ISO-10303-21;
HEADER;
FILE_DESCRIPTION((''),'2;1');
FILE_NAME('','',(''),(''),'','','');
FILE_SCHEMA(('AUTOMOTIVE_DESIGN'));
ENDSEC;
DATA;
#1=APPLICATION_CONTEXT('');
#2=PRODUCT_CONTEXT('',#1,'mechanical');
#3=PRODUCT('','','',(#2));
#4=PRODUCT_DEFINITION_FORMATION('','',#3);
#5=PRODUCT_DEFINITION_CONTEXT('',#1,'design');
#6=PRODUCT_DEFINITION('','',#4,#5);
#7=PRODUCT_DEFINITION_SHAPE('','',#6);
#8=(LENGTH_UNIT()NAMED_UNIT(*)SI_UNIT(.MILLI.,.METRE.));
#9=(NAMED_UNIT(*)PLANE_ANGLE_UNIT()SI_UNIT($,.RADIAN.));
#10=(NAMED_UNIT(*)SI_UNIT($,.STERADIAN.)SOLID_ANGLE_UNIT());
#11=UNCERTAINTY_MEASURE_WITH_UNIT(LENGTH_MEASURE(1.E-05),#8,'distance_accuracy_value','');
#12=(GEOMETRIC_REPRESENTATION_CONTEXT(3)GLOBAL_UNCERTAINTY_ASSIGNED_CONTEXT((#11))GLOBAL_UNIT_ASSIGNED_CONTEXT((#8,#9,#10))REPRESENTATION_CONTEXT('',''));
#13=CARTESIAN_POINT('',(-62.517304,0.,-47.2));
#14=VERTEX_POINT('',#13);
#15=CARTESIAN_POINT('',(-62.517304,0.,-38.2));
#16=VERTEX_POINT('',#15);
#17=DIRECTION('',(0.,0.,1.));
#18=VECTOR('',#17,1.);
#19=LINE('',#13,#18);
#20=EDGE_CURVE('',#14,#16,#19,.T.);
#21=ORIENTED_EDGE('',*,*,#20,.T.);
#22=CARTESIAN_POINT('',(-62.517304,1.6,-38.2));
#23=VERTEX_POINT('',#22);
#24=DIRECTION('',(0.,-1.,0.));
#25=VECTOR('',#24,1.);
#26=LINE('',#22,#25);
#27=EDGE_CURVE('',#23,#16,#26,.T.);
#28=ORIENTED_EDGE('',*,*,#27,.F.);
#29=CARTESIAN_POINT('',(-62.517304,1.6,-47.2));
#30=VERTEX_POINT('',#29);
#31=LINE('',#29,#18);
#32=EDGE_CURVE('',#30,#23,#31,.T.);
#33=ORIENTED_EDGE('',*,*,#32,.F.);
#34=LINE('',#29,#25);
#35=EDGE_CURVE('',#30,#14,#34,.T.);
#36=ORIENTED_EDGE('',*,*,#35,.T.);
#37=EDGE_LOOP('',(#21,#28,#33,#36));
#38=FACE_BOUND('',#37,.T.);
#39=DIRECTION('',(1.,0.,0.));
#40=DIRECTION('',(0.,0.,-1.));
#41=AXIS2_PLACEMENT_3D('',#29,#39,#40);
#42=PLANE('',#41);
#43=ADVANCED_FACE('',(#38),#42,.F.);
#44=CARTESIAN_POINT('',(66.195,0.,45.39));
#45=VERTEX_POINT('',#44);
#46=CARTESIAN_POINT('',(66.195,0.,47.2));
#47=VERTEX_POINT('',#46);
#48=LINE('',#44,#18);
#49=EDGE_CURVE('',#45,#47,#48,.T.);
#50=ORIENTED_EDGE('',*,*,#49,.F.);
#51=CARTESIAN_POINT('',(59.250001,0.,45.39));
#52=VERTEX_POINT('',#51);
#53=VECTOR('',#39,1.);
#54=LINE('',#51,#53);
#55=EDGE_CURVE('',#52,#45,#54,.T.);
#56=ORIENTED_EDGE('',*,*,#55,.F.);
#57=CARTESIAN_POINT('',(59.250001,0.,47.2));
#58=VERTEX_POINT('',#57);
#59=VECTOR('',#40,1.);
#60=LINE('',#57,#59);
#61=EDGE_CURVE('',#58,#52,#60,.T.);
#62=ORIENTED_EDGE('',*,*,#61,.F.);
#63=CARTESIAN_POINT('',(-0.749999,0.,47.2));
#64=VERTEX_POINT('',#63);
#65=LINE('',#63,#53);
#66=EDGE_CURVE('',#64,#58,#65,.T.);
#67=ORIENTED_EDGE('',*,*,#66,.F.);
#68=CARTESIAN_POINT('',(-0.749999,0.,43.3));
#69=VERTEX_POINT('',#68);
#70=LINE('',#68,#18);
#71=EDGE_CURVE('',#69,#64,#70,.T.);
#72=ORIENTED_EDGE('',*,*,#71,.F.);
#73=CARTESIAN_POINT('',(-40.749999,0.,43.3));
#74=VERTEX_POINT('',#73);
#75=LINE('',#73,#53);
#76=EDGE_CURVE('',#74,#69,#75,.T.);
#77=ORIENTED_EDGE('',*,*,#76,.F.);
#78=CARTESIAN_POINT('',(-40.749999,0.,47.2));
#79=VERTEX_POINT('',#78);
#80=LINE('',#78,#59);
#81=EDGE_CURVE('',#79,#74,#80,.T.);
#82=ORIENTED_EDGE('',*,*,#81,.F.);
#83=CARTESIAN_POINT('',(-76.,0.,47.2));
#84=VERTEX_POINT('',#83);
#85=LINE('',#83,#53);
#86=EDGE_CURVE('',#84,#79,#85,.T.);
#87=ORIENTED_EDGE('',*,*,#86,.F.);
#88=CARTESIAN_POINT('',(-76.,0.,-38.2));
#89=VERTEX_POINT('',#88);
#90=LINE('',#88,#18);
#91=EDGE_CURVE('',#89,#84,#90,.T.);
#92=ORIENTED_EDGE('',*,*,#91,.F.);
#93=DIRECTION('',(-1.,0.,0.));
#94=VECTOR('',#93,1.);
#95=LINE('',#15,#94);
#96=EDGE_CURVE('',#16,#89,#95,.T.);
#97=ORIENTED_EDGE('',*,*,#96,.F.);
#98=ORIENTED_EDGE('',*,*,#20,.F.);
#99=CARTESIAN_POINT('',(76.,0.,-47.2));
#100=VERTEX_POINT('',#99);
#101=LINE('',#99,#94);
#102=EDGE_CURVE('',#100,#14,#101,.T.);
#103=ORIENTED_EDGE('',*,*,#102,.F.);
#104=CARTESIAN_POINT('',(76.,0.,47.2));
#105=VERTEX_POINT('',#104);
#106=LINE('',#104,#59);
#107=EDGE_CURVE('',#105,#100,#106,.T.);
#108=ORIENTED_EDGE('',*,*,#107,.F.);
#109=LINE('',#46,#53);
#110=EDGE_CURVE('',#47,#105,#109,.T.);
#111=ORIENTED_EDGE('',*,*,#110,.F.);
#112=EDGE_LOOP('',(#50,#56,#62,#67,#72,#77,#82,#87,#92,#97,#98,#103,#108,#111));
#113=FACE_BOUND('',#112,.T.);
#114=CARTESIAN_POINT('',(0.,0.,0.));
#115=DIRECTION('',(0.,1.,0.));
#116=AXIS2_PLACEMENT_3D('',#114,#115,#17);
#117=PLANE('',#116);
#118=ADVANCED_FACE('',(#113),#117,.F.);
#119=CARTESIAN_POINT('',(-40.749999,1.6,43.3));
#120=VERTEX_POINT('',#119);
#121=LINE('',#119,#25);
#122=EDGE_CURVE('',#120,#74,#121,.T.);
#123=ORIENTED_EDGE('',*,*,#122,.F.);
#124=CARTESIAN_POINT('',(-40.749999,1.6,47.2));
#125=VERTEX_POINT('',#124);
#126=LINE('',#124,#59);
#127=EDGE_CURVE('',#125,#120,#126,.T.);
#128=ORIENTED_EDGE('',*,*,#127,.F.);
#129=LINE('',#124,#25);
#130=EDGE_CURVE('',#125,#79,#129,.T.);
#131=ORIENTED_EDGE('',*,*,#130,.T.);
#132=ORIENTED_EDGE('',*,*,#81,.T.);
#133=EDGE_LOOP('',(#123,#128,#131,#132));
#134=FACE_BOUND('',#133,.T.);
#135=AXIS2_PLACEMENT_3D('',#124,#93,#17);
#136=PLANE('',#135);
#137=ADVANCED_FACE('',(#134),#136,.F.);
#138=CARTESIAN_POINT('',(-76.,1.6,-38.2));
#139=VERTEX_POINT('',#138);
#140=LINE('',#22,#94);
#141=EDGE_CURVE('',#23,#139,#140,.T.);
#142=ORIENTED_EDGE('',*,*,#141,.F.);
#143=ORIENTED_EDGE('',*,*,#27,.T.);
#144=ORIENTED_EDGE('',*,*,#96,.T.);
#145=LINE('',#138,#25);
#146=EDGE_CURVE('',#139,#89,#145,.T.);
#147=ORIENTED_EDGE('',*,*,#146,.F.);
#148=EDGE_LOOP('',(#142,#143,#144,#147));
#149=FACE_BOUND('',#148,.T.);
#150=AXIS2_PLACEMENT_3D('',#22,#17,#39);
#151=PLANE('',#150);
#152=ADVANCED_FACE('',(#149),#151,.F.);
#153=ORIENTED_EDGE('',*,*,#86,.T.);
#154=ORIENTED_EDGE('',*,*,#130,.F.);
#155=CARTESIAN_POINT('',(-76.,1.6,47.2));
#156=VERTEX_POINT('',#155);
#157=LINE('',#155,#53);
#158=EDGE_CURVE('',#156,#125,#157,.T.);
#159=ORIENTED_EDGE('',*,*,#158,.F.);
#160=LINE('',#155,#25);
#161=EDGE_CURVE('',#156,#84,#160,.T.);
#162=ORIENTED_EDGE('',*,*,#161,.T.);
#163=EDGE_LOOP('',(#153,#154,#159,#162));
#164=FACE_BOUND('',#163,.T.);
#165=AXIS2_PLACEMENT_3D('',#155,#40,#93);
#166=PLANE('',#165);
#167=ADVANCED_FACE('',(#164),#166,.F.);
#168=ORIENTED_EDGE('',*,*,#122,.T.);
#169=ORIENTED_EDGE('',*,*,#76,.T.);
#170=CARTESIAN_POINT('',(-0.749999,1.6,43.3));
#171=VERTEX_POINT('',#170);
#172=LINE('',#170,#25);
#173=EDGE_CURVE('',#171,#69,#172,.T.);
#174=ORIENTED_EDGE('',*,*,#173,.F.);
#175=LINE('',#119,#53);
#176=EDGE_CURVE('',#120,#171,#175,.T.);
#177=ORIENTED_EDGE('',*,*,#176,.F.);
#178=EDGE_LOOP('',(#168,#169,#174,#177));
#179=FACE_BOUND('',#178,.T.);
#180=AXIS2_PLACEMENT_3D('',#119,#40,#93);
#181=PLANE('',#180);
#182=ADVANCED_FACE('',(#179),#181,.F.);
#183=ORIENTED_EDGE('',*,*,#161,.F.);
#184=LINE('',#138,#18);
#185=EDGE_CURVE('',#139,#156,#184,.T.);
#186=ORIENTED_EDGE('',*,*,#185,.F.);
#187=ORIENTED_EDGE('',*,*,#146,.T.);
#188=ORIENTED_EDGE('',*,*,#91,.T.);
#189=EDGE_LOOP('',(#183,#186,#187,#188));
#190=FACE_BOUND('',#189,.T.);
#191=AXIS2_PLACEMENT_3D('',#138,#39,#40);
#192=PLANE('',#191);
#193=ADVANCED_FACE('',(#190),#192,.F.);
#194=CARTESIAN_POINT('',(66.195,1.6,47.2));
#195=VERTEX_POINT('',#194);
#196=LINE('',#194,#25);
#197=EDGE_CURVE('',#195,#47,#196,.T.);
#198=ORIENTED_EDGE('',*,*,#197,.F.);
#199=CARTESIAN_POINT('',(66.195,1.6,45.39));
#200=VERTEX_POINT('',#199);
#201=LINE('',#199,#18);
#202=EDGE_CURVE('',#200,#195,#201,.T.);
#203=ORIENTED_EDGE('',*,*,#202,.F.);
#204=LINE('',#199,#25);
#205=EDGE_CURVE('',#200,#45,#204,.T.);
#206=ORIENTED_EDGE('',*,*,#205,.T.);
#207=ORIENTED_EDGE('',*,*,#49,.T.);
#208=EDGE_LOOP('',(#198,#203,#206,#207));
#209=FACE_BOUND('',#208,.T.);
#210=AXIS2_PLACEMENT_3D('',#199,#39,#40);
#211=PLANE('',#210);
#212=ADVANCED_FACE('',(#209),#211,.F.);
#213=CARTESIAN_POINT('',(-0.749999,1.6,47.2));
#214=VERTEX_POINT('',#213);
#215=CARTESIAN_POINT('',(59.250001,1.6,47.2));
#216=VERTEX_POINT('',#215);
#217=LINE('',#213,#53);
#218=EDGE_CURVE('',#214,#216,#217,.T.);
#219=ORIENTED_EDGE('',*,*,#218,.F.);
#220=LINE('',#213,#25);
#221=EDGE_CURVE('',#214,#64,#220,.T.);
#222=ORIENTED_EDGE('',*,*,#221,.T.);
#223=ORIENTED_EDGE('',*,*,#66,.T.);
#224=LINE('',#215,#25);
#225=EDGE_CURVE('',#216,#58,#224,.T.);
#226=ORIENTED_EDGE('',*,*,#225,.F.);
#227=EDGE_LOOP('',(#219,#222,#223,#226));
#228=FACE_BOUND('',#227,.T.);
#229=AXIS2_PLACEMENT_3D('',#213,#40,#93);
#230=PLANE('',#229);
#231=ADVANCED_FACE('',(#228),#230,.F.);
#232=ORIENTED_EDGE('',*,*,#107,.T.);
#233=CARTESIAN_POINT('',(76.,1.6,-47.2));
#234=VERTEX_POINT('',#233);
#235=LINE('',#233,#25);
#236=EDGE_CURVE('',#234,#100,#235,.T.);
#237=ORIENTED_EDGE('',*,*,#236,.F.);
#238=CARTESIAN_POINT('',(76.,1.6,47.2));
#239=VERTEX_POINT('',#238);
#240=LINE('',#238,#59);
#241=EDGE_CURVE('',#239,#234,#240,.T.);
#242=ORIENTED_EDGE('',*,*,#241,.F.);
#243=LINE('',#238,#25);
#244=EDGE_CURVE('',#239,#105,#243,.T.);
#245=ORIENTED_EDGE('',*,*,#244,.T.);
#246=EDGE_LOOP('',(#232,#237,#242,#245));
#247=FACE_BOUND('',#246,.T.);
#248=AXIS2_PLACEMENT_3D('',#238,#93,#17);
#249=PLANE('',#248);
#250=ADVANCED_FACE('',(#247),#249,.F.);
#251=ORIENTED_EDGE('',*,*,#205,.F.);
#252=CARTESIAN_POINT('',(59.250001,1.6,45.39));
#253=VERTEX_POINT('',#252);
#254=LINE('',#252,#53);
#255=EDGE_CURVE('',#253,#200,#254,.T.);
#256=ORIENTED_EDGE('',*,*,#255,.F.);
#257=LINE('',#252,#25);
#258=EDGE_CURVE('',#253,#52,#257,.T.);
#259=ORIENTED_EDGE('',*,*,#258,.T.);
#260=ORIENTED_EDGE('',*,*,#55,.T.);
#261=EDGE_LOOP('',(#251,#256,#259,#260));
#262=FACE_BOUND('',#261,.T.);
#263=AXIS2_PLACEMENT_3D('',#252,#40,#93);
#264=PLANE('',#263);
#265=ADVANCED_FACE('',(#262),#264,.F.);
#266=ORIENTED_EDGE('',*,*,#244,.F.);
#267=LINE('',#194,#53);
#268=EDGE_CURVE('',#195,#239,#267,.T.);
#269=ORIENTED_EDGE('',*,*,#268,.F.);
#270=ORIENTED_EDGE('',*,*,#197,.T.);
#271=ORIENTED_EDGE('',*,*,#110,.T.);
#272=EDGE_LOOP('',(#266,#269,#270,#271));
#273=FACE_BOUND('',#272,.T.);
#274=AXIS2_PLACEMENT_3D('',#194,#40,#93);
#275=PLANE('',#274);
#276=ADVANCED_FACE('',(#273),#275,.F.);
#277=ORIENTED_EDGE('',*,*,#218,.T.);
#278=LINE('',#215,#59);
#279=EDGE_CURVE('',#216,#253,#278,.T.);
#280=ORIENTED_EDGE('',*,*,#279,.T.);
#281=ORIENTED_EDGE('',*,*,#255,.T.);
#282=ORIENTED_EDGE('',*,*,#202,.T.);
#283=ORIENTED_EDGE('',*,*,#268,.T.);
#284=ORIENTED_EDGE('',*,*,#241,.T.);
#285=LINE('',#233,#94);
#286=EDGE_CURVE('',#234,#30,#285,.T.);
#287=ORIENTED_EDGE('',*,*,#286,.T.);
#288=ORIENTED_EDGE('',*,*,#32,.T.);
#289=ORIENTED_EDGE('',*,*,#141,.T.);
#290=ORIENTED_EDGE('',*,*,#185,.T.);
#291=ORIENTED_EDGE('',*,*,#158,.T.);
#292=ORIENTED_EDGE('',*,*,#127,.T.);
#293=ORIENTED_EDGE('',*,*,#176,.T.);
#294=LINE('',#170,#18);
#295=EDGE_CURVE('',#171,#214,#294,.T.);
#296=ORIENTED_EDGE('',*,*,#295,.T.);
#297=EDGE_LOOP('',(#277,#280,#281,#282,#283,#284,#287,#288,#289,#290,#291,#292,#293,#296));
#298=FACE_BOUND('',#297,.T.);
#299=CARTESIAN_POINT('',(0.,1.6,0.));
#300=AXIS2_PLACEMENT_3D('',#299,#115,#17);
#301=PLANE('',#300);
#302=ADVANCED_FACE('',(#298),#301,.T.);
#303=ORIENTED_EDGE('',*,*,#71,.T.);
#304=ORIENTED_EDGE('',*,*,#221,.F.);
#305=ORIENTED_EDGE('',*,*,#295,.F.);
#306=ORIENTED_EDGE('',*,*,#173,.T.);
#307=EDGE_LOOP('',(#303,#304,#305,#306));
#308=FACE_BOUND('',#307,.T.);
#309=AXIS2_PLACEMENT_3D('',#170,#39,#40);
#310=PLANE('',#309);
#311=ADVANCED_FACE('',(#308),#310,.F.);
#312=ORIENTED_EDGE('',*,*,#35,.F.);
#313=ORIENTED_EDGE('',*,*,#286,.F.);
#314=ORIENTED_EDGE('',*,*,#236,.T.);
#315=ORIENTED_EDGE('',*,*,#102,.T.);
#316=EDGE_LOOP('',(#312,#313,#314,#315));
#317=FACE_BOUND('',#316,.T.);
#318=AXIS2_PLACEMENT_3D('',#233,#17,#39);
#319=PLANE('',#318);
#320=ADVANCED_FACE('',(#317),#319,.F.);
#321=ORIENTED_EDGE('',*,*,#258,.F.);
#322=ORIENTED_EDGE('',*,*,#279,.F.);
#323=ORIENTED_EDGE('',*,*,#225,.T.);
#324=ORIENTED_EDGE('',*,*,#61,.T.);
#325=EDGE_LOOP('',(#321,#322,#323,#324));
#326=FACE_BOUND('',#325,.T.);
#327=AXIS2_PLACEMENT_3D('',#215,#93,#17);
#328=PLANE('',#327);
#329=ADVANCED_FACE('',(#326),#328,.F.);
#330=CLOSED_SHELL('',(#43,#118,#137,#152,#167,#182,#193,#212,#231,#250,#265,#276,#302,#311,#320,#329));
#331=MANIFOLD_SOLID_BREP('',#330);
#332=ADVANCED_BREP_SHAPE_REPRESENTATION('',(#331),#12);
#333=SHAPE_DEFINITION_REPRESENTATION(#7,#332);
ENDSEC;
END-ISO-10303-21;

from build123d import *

# Parameters (mm, degrees)
BOSS_EXTRUDE1_DEPTH = 1.6


with BuildPart() as part:
    # Sketch1 → Boss-Extrude1 (new body)
    with BuildSketch(Plane(origin=(0, 0, 0), x_dir=(1, 0, 0), z_dir=(0, 1, 0))):
        Polygon((-76, 38.2), (-76, -47.2), (-40.74999921, -47.2), (-40.74999921, -43.299999968), (-0.74999921, -43.299999968), (-0.74999921, -47.2), (59.25000079, -47.2), (59.25000079, -45.39), (66.195, -45.39), (66.195, -47.2), (76, -47.2), (76, 47.2), (-62.517304486, 47.2), (-62.517304486, 38.2), align=None)
    extrude(amount=BOSS_EXTRUDE1_DEPTH)


solid = part.part
